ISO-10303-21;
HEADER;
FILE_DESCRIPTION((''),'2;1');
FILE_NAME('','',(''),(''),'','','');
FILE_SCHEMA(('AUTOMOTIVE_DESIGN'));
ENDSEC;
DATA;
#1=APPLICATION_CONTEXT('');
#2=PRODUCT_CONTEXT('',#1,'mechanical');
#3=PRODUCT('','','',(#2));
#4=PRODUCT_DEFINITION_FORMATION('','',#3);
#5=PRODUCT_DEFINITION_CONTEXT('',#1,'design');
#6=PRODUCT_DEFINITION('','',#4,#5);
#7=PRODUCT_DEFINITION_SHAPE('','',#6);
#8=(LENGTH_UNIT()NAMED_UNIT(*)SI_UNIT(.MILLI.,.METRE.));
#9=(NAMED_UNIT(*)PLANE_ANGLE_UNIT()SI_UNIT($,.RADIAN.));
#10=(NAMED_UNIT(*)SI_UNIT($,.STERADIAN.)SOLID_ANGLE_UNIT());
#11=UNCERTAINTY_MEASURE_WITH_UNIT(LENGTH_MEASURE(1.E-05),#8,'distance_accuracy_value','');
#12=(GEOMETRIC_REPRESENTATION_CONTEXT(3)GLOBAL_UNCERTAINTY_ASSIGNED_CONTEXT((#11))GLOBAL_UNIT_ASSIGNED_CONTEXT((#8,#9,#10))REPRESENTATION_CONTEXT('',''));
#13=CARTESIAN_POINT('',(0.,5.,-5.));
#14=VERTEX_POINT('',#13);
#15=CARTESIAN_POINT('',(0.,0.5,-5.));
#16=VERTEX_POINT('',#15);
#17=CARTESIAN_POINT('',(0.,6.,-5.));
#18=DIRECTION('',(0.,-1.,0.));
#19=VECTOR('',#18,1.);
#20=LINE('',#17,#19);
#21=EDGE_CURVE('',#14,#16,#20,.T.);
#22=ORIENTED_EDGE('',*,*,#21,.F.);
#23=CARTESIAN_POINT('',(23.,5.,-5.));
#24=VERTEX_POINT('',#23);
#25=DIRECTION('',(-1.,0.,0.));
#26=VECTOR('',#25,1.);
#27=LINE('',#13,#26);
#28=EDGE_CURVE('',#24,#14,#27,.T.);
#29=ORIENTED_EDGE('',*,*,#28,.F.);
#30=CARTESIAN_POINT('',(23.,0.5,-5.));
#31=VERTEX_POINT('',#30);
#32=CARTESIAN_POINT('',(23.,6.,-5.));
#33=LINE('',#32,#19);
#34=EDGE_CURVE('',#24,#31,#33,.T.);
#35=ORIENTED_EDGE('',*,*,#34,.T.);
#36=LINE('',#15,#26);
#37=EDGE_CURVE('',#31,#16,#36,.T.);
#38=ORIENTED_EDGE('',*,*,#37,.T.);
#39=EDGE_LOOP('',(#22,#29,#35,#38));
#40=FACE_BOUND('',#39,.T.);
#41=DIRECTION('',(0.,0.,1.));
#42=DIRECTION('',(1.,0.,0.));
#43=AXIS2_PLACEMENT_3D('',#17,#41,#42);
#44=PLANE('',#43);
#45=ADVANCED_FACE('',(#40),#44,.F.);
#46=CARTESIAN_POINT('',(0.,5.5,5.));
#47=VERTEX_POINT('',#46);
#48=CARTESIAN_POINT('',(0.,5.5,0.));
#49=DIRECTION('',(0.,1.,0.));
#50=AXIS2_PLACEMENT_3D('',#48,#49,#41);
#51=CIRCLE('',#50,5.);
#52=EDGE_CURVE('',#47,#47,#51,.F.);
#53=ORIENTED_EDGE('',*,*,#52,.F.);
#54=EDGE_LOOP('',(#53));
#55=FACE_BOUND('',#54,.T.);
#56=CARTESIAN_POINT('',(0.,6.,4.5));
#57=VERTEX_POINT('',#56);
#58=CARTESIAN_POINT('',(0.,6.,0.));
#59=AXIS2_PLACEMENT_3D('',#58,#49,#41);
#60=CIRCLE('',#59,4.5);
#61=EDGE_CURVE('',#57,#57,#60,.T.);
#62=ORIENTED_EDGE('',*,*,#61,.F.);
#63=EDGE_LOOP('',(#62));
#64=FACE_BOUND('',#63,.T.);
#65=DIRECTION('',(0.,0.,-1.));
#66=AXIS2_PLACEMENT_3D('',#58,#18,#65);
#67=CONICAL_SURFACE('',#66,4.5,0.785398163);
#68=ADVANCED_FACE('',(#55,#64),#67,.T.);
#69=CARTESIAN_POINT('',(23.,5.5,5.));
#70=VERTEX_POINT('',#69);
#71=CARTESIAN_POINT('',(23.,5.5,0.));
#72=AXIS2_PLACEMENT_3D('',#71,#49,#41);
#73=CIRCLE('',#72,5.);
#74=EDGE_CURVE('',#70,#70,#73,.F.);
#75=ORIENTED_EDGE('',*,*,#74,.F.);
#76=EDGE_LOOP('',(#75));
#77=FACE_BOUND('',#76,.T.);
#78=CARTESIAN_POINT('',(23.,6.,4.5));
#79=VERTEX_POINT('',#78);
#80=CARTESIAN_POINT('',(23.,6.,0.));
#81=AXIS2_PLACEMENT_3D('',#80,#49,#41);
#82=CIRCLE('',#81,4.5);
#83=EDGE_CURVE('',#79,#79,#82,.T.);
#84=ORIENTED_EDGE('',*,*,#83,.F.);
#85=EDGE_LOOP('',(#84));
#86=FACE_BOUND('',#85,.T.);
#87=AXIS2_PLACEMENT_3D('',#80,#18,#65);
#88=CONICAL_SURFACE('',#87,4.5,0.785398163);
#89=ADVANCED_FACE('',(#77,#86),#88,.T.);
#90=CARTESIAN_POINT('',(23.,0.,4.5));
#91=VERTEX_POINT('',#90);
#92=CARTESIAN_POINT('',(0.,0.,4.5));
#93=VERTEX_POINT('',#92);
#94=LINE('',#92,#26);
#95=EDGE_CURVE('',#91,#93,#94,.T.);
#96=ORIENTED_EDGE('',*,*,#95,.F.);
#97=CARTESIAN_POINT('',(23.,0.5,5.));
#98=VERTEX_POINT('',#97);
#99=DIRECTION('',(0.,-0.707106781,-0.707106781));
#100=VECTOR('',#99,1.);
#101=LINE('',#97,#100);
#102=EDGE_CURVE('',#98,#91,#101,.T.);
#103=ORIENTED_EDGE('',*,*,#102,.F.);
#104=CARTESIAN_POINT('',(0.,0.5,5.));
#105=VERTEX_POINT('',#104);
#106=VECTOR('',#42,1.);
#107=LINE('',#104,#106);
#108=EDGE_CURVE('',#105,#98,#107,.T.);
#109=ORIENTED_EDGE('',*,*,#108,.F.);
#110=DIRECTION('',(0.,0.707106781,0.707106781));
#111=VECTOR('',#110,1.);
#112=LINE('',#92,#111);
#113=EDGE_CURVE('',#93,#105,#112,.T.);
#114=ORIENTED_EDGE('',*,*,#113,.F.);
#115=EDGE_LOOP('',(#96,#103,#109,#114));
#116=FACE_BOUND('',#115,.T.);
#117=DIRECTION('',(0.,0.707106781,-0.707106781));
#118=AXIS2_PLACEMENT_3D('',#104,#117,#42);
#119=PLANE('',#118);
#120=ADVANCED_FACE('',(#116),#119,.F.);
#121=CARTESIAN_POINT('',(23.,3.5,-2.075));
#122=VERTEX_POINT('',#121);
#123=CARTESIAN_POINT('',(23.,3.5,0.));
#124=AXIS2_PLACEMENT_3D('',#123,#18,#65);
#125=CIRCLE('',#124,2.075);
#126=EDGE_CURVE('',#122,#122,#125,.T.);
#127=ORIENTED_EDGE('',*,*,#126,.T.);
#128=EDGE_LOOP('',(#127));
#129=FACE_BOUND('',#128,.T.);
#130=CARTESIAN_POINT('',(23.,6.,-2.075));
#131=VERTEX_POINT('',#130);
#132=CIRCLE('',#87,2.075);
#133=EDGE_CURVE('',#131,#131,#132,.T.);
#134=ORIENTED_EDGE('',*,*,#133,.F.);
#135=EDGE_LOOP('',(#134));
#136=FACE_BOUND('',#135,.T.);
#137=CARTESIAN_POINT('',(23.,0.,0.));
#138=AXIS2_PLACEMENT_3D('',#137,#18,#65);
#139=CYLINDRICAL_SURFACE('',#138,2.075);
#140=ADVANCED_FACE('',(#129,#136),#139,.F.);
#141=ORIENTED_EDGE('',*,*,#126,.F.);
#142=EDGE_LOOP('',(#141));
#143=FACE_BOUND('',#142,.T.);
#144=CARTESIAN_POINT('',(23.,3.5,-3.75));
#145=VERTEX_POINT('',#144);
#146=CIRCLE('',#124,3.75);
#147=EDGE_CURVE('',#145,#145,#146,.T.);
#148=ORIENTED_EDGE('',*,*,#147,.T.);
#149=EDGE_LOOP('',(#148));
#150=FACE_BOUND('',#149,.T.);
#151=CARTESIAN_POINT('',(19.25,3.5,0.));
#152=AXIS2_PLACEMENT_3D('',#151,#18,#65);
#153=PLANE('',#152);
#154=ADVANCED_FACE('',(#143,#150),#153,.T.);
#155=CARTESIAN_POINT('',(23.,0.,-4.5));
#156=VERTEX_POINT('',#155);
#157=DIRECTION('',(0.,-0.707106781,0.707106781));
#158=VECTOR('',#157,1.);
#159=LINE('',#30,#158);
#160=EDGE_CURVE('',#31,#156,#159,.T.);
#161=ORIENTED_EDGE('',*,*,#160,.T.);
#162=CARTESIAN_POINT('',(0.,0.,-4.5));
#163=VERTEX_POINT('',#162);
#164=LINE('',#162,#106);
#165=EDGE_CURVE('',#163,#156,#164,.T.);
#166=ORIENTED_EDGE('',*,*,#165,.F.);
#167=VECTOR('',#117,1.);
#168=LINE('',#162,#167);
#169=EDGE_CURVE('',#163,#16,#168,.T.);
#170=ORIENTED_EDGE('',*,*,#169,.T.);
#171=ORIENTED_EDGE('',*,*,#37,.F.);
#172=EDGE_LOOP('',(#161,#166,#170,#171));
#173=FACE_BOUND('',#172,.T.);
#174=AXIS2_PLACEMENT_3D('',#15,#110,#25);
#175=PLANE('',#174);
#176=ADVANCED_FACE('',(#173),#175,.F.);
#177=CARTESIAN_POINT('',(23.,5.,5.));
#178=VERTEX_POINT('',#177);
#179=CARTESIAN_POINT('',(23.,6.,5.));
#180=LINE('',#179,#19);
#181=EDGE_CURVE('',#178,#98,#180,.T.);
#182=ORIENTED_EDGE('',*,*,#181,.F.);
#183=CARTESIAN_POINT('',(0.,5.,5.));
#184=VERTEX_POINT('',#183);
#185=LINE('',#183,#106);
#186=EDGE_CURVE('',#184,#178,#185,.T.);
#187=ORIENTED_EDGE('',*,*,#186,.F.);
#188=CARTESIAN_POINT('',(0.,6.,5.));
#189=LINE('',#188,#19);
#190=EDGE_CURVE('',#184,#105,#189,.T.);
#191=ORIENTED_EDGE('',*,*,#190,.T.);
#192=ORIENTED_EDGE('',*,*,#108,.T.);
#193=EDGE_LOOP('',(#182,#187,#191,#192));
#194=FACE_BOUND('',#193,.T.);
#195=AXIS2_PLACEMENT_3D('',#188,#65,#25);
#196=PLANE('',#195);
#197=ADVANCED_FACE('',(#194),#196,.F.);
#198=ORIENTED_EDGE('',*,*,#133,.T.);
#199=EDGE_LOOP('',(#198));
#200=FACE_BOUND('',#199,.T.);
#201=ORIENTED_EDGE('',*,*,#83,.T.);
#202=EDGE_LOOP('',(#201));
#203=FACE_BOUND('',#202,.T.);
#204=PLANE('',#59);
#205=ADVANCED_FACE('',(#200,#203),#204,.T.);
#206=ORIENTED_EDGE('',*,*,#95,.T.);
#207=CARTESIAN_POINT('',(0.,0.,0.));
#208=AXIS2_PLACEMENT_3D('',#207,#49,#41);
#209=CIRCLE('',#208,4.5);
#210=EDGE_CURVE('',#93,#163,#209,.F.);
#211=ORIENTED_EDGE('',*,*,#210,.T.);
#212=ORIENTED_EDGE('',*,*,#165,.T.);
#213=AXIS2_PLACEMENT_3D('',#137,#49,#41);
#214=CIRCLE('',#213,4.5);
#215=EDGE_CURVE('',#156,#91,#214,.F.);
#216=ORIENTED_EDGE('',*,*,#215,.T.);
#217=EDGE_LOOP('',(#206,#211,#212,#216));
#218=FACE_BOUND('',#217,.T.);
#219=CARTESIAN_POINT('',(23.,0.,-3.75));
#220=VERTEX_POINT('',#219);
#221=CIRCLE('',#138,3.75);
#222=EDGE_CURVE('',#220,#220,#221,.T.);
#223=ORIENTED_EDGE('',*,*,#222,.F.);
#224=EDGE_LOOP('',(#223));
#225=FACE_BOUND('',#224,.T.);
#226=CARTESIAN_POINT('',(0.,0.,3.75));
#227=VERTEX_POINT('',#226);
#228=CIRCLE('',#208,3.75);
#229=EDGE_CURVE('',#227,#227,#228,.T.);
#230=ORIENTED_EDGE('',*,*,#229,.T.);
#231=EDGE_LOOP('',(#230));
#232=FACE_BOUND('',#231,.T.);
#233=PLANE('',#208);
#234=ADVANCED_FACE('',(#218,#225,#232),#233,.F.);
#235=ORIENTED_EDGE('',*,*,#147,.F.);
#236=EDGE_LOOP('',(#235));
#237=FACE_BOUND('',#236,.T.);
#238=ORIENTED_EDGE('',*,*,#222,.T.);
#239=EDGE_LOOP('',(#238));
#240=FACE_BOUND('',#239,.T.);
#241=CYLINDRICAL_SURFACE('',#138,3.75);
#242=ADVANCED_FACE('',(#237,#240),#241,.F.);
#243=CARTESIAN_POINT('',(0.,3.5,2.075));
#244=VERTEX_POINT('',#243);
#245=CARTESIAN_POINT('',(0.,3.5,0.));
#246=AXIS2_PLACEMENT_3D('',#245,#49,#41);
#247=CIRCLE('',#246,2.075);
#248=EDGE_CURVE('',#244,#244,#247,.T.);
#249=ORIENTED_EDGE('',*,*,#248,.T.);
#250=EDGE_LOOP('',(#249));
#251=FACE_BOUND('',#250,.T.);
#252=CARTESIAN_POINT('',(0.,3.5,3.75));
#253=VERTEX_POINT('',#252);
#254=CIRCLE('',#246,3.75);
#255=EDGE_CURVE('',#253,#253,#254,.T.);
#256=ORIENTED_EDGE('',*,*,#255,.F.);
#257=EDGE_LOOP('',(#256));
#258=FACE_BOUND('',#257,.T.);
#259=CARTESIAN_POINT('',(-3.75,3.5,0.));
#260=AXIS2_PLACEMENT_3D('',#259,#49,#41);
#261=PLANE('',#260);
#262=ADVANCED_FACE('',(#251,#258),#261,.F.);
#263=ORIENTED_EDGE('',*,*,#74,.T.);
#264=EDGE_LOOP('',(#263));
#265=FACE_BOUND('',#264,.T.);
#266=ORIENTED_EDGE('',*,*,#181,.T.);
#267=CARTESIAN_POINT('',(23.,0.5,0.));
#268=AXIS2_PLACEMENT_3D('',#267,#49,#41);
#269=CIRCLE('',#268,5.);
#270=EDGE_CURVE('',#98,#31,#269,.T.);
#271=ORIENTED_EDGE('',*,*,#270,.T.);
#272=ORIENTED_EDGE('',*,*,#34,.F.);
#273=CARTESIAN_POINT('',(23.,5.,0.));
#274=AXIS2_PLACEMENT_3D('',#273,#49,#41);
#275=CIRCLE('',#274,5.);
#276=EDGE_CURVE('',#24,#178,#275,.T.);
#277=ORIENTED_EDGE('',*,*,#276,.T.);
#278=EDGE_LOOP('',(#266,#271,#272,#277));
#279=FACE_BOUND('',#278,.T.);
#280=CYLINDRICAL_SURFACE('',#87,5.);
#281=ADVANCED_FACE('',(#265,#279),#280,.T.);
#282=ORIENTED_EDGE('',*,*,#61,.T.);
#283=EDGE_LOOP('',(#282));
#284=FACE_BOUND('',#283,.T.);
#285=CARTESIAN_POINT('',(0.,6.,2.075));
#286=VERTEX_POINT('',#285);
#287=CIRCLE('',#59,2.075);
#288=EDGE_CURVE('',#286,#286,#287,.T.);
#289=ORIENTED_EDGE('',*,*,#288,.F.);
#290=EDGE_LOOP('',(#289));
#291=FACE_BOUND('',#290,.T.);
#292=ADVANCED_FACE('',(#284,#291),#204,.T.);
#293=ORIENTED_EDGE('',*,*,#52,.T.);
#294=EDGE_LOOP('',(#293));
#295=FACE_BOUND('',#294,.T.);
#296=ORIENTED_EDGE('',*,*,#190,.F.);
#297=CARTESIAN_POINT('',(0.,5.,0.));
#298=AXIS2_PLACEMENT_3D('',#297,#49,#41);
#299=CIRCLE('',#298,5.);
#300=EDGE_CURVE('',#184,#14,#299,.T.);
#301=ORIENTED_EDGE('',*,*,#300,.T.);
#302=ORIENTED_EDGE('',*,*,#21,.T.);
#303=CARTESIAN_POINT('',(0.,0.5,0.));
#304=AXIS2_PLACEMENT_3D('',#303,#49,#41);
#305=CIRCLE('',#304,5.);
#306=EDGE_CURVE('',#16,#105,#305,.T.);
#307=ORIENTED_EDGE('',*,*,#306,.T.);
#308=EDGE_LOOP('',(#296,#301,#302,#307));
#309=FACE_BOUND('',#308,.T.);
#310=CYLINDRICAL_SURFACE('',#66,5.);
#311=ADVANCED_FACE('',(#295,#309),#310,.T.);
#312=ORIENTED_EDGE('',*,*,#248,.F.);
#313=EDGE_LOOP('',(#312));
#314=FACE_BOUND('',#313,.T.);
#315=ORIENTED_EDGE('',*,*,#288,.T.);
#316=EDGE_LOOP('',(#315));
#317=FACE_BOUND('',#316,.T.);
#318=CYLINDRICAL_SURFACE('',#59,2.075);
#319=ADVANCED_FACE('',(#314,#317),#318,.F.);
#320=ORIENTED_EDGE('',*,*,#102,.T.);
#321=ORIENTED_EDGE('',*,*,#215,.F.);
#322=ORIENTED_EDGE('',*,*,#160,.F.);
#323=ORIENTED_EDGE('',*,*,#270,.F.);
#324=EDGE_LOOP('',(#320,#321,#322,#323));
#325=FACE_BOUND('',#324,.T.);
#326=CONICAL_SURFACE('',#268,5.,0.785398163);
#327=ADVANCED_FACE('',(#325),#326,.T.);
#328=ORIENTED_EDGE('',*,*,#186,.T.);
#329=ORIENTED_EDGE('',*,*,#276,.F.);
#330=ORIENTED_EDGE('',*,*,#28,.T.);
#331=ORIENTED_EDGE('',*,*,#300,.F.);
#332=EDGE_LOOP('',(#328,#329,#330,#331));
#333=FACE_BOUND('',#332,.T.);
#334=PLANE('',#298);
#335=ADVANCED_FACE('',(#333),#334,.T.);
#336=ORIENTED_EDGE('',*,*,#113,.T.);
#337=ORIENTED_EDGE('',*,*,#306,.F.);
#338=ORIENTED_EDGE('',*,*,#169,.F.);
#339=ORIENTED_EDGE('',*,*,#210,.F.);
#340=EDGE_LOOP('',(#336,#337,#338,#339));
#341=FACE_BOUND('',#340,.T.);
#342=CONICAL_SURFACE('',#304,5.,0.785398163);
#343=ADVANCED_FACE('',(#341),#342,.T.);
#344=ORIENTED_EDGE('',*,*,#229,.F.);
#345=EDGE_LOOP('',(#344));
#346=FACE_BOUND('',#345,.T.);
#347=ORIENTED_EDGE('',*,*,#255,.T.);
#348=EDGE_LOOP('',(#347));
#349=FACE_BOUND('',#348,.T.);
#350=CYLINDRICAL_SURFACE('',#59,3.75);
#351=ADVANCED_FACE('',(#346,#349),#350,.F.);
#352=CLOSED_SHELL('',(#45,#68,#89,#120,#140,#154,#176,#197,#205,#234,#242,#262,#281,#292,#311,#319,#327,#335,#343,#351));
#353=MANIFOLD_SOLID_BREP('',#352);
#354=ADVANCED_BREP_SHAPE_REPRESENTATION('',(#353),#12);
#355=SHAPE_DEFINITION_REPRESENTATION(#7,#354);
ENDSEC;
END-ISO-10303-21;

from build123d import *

# Parameters (mm, degrees)
EXTRUDE_1_DEPTH     = 6
CUT_EXTRUDE_START   = -1
SKETCH_4_W          = 37.365757144
SKETCH_4_H          = 18.186872946
SKETCH_4_R          = 5
CUT_EXTRUDE_1_DEPTH = 1
CHAMFER_1_SIZE      = 0.5


with BuildPart() as part:
    # 草图1 → 凸台-拉伸1 (new body)
    with BuildSketch(Plane(origin=(0, 0, 0), x_dir=(1, 0, 0), z_dir=(0, 1, 0))):
        with BuildLine():
            Line((0, 5), (23, 5))
            ThreePointArc((23, 5), (28, 0), (23, -5))
            Line((23, -5), (0, -5))
            ThreePointArc((0, -5), (-5, 0), (0, 5))
        make_face()
    extrude(amount=EXTRUDE_1_DEPTH)

    # 草图2 → 切除-旋转1 (revolve, cut)
    with BuildSketch(Plane.XY, mode=Mode.PRIVATE) as cut_revolve_1_sk:
        Polygon((0, 0), (-3.75, 0), (-3.75, 3.5), (-2.075, 3.5), (-2.075, 6), (0, 6), align=None)
    revolve(cut_revolve_1_sk.sketch.rotate(Axis((0, 6, 0), (0, -1, 0)), 270), axis=Axis((0, 6, 0), (0, -1, 0)), mode=Mode.SUBTRACT)

    # 草图3 → 切除-旋转2 (revolve, cut)
    with BuildSketch(Plane.XY, mode=Mode.PRIVATE) as cut_revolve_2_sk:
        Polygon((23, 0), (19.25, 0), (19.25, 3.5), (20.925, 3.5), (20.925, 6), (23, 6), align=None)
    revolve(cut_revolve_2_sk.sketch.rotate(Axis((23, 0, 0), (0, 1, 0)), 270), axis=Axis((23, 0, 0), (0, 1, 0)), mode=Mode.SUBTRACT)

    # 草图4 → 切除-拉伸1 (cut)
    with BuildSketch(Plane(origin=(0, 6, 0), x_dir=(1, 0, 0), z_dir=(0, 1, 0)).offset(CUT_EXTRUDE_START)):
        with Locations((11.904152732, 0.202076366)):
            Rectangle(SKETCH_4_W, SKETCH_4_H)
        with Locations(Location((0, 0, 0), (0, 0, 270))):
            Circle(SKETCH_4_R, mode=Mode.SUBTRACT)
        with Locations(Location((23, 0, 0), (0, 0, 270))):
            Circle(SKETCH_4_R, mode=Mode.SUBTRACT)
    extrude(amount=CUT_EXTRUDE_1_DEPTH, mode=Mode.SUBTRACT)

    # 倒角1
    chamfer_1_edges = [part.edges().sort_by_distance(p)[0] for p in [
        (23, 6, 5),
        (0, 6, -5),
        (11.5, 0, -5),
        (28, 0, 0),
        (11.5, 0, 5),
        (-5, 0, 0),
    ]]
    chamfer(chamfer_1_edges, length=CHAMFER_1_SIZE)


solid = part.part
